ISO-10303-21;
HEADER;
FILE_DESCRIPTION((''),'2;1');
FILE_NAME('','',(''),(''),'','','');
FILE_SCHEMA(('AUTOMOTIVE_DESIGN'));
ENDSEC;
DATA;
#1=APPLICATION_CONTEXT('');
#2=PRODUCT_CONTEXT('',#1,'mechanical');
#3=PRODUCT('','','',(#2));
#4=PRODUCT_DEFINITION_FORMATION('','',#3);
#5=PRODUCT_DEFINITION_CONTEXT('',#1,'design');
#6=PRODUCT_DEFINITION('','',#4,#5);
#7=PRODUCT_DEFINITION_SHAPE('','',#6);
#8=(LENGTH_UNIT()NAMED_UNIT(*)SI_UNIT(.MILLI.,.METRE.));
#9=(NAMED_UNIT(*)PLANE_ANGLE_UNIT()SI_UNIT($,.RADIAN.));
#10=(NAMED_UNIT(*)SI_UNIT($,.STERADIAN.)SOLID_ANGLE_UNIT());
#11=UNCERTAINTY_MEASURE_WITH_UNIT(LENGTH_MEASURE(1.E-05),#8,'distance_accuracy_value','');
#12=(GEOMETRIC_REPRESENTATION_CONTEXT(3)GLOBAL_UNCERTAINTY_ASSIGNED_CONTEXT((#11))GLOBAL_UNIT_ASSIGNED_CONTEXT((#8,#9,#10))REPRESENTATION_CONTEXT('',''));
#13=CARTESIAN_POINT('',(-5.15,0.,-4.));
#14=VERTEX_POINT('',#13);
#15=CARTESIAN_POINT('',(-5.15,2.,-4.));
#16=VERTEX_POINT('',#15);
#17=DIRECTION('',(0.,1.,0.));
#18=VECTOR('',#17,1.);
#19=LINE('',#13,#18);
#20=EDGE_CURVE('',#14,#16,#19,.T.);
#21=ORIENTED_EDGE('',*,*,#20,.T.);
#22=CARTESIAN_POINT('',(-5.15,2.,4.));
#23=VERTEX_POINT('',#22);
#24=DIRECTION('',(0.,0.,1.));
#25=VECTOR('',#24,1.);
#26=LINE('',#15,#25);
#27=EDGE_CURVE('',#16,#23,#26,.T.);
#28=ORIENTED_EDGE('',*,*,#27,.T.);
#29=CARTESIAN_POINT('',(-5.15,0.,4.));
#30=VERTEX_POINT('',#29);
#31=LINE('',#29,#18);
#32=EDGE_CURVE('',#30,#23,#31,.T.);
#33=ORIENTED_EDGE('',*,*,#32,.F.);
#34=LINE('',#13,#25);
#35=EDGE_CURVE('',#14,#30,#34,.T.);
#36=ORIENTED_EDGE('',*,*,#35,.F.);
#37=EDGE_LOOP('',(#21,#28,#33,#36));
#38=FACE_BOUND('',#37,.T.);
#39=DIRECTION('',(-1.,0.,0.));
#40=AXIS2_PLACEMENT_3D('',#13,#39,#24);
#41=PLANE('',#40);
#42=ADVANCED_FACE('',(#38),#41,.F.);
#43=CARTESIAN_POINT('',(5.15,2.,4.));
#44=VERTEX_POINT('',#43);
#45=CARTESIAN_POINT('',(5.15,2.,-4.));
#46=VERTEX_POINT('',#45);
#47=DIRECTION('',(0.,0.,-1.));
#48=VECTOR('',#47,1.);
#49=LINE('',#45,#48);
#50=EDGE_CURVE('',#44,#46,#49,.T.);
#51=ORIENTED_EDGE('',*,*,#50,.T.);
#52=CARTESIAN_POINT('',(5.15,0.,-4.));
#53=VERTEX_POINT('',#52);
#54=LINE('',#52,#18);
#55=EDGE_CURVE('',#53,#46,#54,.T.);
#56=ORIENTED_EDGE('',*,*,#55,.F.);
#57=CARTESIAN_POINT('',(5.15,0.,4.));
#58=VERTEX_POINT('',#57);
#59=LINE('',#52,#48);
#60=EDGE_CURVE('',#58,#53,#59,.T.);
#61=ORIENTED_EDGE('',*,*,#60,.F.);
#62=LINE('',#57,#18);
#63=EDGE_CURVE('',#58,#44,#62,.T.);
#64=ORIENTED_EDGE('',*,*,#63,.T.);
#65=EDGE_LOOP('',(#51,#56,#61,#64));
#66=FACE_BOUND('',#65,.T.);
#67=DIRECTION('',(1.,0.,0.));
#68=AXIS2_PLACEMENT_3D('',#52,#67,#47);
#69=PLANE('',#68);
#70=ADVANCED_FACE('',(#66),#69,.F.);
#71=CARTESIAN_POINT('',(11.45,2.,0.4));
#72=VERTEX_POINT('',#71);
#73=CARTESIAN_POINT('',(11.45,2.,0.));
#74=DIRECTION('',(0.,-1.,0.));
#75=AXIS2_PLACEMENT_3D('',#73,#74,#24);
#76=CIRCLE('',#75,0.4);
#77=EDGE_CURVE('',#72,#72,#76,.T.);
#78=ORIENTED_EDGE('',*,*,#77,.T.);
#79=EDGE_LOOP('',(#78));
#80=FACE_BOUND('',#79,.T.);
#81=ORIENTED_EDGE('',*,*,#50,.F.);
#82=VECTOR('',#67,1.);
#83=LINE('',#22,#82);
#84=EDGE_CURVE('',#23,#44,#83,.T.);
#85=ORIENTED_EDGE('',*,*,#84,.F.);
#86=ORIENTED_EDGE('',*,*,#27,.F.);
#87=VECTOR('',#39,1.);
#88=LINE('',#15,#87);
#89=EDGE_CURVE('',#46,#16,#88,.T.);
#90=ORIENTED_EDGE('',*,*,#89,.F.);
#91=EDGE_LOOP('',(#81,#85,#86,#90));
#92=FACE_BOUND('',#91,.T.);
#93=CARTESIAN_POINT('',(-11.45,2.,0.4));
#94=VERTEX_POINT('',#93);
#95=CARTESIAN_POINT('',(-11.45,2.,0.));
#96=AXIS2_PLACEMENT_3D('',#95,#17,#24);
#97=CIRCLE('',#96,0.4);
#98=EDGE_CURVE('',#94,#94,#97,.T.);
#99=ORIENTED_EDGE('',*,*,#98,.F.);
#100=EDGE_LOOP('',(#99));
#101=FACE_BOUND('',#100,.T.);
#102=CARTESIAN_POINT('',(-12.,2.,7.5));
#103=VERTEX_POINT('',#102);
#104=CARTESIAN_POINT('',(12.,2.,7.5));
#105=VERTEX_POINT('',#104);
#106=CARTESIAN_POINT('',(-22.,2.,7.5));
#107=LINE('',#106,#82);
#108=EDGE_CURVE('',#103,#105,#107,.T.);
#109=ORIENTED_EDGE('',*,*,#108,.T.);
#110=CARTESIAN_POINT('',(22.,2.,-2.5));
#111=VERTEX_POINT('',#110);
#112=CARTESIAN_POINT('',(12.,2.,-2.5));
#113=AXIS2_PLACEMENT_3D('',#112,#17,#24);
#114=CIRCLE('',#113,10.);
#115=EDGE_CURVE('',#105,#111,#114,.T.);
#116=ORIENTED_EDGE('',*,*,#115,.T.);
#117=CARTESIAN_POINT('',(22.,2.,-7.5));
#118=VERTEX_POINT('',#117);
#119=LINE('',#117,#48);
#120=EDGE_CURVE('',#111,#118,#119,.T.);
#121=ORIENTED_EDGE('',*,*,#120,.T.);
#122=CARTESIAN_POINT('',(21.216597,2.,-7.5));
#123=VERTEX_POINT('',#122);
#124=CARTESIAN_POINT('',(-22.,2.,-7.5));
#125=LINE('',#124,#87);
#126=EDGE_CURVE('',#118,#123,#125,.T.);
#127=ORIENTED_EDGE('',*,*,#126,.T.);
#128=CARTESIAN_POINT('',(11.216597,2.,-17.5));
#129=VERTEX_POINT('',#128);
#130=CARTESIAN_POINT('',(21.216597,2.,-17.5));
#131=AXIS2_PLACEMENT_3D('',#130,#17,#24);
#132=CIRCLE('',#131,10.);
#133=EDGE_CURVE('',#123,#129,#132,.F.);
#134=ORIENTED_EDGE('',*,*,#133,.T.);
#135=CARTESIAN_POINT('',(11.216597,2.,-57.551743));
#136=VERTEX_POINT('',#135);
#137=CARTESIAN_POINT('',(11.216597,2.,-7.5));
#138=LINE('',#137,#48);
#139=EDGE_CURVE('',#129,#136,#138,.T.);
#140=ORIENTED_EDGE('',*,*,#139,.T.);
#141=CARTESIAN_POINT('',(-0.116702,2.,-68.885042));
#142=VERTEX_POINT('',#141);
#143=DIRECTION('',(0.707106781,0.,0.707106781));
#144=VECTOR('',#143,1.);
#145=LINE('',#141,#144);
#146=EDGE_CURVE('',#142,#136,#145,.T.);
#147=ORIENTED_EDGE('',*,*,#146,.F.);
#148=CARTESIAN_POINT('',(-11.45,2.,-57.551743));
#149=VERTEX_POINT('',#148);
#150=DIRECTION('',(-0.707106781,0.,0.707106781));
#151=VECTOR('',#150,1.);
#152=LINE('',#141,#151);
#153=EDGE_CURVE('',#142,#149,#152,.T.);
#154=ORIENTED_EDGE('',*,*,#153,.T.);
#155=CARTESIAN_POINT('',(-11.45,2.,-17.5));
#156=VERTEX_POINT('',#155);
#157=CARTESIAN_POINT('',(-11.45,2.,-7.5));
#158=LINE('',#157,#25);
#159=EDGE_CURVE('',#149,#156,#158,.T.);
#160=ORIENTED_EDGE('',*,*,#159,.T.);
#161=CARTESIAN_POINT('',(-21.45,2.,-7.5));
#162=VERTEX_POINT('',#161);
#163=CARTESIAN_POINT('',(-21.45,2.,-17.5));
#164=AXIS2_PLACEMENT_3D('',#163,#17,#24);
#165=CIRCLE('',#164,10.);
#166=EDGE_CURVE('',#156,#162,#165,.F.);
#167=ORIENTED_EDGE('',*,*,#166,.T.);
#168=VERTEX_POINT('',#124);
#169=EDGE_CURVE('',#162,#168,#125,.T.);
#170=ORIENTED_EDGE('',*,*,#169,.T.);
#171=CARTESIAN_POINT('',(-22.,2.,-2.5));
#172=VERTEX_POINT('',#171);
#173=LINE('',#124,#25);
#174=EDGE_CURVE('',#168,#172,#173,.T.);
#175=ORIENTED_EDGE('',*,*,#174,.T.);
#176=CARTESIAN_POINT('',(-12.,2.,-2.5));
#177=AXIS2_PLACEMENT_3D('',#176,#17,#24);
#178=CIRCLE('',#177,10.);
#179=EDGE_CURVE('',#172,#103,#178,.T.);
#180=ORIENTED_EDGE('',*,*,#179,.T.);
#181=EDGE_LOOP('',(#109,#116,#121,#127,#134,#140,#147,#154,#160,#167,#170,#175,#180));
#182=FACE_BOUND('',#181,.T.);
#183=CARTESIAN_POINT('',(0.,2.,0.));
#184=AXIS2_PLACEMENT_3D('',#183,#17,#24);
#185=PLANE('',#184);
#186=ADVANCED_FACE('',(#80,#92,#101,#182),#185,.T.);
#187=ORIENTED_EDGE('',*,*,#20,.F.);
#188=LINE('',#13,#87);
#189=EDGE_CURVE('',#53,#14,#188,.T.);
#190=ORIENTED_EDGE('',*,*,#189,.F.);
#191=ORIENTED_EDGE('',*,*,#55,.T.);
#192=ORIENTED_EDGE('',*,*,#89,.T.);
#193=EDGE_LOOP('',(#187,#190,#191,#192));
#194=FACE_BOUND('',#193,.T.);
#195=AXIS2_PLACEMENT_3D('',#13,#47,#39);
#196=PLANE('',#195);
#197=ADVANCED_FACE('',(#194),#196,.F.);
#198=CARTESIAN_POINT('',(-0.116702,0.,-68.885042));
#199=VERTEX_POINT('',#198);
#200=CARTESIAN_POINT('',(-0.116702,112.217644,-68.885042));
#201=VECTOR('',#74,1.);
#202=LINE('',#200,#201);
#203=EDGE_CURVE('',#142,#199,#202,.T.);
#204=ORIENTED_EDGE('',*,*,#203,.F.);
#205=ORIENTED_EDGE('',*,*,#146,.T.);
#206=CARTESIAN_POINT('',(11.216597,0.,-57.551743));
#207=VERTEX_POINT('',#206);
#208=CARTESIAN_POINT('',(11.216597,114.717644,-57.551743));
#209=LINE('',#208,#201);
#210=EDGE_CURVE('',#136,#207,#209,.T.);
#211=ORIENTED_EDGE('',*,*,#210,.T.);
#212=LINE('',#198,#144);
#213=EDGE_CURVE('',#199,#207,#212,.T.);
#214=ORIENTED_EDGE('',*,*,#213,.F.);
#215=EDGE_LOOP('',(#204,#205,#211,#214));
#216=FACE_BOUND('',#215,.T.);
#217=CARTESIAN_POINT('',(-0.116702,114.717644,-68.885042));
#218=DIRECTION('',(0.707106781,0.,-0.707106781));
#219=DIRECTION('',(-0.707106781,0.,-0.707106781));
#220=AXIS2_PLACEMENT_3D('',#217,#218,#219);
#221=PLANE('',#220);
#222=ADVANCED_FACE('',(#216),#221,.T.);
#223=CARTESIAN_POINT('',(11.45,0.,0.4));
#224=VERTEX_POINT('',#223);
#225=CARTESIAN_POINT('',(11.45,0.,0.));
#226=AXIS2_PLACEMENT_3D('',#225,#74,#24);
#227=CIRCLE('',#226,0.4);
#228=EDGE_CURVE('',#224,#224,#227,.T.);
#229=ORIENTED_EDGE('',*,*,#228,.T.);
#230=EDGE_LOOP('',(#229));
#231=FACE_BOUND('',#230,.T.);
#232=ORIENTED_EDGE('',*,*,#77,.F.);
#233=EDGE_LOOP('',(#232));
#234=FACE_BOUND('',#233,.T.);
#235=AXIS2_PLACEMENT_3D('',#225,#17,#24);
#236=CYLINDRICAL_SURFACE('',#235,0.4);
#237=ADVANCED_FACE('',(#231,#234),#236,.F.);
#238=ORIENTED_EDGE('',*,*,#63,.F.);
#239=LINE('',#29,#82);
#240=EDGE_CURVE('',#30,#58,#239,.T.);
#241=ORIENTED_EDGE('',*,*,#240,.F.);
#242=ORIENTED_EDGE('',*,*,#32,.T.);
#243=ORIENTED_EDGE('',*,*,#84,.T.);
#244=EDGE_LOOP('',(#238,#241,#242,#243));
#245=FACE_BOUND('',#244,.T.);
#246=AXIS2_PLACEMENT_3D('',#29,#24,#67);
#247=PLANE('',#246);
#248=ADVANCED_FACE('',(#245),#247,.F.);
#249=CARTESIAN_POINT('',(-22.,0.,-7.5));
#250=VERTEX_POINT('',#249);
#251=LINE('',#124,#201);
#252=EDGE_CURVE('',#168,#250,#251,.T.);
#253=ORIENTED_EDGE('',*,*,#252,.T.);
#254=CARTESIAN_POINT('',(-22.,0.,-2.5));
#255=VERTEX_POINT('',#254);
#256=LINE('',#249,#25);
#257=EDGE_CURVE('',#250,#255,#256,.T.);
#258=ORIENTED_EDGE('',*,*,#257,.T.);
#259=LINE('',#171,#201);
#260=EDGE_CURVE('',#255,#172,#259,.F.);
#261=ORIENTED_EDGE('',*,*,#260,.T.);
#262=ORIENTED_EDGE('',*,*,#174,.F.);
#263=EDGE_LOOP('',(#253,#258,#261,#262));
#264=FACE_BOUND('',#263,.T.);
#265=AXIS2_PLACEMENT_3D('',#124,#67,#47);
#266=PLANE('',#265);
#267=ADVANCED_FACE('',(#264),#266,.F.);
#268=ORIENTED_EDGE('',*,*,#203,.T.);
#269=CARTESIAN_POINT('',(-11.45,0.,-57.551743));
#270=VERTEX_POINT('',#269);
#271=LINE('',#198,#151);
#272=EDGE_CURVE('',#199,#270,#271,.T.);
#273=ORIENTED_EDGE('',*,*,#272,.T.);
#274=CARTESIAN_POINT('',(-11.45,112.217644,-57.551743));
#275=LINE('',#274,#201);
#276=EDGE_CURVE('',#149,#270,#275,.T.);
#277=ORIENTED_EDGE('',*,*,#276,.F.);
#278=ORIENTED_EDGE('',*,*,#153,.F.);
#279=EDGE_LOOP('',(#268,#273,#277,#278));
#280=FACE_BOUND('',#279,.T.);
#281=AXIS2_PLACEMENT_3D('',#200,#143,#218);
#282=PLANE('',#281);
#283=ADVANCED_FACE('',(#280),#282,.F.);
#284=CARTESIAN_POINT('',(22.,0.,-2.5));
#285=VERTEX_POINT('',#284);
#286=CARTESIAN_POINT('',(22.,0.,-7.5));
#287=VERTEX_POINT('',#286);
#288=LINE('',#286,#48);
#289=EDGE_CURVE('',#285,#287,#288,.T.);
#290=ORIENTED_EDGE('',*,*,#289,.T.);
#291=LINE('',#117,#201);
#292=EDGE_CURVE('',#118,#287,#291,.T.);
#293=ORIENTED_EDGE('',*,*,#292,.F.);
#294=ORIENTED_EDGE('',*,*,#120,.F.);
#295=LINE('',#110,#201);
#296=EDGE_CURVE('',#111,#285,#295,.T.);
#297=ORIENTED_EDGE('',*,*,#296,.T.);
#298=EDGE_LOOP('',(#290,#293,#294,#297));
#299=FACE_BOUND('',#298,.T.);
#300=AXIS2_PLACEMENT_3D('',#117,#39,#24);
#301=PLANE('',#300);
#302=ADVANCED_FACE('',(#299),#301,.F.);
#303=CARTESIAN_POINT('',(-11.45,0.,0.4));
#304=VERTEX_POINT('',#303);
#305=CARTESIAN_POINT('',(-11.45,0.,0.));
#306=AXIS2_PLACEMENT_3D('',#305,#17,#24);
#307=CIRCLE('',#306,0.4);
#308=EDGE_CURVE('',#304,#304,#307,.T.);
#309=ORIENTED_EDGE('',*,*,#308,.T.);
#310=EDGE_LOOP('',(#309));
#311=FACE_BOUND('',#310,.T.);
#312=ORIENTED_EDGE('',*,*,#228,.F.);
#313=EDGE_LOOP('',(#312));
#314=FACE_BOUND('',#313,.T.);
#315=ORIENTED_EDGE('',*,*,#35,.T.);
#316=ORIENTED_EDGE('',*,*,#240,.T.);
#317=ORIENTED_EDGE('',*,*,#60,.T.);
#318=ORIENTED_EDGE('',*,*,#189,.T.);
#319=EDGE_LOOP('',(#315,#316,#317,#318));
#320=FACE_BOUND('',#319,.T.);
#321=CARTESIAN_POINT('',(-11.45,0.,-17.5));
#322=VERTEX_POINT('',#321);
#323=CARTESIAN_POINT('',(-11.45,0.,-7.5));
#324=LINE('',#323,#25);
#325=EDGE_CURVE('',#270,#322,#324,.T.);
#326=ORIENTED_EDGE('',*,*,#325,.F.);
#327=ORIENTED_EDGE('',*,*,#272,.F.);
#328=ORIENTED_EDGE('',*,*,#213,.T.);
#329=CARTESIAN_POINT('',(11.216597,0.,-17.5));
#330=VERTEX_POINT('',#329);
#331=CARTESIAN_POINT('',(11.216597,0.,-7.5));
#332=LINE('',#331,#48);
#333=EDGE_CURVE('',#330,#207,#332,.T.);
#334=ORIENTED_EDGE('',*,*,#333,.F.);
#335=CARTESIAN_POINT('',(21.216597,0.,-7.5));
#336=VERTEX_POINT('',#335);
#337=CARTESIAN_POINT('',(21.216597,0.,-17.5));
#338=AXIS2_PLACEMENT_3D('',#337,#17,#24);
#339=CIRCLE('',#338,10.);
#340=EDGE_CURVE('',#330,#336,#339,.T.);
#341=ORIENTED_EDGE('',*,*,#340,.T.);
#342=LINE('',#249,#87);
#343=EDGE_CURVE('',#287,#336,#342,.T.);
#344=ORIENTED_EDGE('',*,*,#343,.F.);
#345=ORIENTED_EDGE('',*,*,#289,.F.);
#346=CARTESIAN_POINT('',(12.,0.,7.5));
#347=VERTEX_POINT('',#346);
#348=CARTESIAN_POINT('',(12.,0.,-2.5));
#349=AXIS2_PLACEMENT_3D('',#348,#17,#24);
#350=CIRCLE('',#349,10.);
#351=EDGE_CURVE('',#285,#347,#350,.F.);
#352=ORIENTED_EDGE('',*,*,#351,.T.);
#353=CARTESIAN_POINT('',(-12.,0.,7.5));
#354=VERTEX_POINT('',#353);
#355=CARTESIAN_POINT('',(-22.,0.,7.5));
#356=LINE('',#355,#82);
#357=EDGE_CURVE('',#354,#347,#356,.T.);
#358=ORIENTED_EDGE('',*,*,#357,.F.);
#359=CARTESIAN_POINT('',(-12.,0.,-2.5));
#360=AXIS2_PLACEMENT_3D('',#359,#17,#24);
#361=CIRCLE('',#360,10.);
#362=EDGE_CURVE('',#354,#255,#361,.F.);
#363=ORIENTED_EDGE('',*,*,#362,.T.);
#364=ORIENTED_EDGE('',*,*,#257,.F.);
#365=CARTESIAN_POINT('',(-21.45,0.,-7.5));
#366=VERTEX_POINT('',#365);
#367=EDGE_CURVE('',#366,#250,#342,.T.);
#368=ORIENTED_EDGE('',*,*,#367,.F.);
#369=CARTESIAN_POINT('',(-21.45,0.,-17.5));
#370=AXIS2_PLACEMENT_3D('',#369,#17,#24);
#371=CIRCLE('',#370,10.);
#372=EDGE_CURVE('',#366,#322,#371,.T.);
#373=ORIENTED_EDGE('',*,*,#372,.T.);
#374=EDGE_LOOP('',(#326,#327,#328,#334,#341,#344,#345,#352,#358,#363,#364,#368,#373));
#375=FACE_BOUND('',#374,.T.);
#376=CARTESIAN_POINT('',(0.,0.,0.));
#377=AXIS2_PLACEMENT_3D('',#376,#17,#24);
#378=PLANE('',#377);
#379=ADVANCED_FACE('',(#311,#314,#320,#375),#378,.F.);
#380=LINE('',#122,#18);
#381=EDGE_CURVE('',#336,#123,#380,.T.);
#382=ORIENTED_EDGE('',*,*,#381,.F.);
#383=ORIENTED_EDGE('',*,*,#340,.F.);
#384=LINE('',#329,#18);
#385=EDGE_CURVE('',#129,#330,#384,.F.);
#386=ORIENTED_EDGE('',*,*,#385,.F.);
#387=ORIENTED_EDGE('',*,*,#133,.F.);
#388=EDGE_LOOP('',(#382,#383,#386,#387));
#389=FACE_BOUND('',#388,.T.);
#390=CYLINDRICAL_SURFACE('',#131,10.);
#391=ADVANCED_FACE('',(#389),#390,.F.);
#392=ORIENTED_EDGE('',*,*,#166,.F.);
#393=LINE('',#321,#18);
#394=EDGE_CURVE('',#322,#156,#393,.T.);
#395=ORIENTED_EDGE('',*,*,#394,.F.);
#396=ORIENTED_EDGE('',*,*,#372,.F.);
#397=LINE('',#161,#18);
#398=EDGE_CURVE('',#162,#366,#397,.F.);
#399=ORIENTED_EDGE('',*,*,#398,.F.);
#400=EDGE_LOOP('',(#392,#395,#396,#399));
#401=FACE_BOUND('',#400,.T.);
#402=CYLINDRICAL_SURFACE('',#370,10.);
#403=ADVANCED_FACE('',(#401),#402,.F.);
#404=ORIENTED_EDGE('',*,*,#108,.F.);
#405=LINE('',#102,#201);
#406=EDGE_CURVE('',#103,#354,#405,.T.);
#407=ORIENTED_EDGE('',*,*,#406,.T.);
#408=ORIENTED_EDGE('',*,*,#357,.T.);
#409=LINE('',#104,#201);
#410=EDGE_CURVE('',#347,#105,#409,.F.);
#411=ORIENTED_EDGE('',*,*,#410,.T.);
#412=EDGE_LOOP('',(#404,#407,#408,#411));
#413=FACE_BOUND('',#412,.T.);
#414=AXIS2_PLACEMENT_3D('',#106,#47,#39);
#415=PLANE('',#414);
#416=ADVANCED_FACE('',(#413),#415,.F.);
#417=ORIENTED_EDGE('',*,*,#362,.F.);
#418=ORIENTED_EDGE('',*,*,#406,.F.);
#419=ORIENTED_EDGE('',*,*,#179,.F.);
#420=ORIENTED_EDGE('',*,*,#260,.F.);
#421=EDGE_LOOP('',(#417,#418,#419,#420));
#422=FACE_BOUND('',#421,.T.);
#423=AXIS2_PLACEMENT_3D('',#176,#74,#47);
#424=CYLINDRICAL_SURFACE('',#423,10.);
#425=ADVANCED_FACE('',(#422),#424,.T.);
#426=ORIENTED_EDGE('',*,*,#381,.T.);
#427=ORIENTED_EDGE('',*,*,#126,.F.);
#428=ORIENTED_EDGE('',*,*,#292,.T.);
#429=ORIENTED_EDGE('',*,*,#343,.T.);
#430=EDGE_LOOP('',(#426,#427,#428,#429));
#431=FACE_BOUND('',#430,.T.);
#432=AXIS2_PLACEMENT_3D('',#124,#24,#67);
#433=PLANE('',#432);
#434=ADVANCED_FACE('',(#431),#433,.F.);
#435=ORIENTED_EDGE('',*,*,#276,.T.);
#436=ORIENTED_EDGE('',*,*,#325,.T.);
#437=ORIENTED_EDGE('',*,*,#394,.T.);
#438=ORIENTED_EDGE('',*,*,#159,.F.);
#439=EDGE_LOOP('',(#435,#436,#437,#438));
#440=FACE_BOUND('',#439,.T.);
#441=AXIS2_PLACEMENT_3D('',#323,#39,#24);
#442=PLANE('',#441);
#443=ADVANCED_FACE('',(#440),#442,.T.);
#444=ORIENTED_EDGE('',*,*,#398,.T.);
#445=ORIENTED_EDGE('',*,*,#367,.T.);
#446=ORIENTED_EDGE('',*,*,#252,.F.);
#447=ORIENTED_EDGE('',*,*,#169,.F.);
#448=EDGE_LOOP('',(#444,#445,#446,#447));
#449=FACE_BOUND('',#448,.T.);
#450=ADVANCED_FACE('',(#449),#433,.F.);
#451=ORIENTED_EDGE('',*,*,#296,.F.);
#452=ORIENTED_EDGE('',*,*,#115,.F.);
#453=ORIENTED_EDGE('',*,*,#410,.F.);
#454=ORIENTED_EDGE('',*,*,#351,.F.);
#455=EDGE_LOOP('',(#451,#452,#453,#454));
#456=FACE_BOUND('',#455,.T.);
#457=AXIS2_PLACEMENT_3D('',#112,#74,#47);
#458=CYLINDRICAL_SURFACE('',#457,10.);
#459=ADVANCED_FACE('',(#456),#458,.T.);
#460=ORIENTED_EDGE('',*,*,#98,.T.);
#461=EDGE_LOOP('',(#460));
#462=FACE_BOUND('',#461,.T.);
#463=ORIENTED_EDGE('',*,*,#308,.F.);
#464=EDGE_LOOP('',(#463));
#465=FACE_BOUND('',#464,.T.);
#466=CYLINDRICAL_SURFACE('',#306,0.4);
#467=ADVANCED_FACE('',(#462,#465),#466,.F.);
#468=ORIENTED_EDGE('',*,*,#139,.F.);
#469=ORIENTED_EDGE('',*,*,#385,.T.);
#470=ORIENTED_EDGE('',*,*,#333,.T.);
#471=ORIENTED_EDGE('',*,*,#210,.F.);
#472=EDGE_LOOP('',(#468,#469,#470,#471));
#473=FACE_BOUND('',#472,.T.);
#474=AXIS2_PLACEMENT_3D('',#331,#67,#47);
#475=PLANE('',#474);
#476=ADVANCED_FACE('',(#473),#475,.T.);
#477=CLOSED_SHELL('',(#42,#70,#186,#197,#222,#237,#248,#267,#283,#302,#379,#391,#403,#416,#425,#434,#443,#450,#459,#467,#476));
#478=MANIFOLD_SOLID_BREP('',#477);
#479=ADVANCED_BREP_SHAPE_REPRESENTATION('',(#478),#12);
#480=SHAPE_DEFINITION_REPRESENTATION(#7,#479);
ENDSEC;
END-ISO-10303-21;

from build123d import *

# Parameters (mm, degrees)
SKETCH2_W               = 44
SKETCH2_H               = 15
BOSS_EXTRUDE1_DEPTH     = 2
SKETCH3_W               = 10.3
SKETCH3_H               = 8
CUT_EXTRUDE1_DEPTH      = 2
SKETCH5_R               = 0.4
CUT_EXTRUDE2_DEPTH      = 2
SKETCH6_W               = 22.666596939
SKETCH6_H               = 61.385041888
BOSS_EXTRUDE3_DEPTH     = 2
FILLET1_R               = 10
CUT_EXTRUDE3_DEPTH      = 73.340507297
CUT_EXTRUDE3_DEPTH_BACK = 2
CUT_EXTRUDE4_DEPTH      = 73.340507297
CUT_EXTRUDE4_DEPTH_BACK = 2
FILLET2_R               = 10


with BuildPart() as part:
    # Sketch2 → Boss-Extrude1 (new body)
    with BuildSketch(Plane(origin=(0, 0, 0), x_dir=(1, 0, 0), z_dir=(0, 1, 0))):
        Rectangle(SKETCH2_W, SKETCH2_H)
    extrude(amount=BOSS_EXTRUDE1_DEPTH)

    # Sketch3 → Cut-Extrude1 (cut)
    with BuildSketch(Plane(origin=(0, 2, 0), x_dir=(1, 0, 0), z_dir=(0, 1, 0))):
        Rectangle(SKETCH3_W, SKETCH3_H)
    extrude(amount=-CUT_EXTRUDE1_DEPTH, mode=Mode.SUBTRACT)

    # Sketch5 → Cut-Extrude2 (cut)
    with BuildSketch(Plane(origin=(0, 2, 0), x_dir=(1, 0, 0), z_dir=(0, 1, 0))):
        with Locations(Location((-11.45, 0, 0), (0, 0, 270))):
            Circle(SKETCH5_R)
    cut_extrude2 = extrude(amount=-CUT_EXTRUDE2_DEPTH, mode=Mode.SUBTRACT)

    # Mirror1: Cut-Extrude2 across plane
    add(cut_extrude2.mirror(Plane(origin=(0, 0, 0), x_dir=(0, 0, 1), z_dir=(1, 0, 0))), mode=Mode.SUBTRACT)

    # Sketch6 → Boss-Extrude3 (add)
    with BuildSketch(Plane(origin=(0, 2, 0), x_dir=(1, 0, 0), z_dir=(0, 1, 0))):
        with Locations((-0.116701531, 38.192520944)):
            Rectangle(SKETCH6_W, SKETCH6_H)
    extrude(amount=-BOSS_EXTRUDE3_DEPTH)

    # Fillet1
    fillet1_edges = [part.edges().sort_by_distance(p)[0] for p in [
        (-11.45, 1, -7.5),
        (11.216596939, 1, -7.5),
    ]]
    fillet(fillet1_edges, radius=FILLET1_R)

    # Sketch8 → Cut-Extrude3 (cut, two sides: drawn at the far end of the back side and taken through both)
    with BuildSketch(Plane(origin=(0, 2, 0), x_dir=(1, 0, 0), z_dir=(0, 1, 0)).offset(-CUT_EXTRUDE3_DEPTH_BACK)):
        Polygon((119.416120766, 188.417864185), (-0.11670153, 68.885041888), (-11.45, 57.551743419), (-130.982822296, -61.981078878), (-370.048466889, 177.084565715), (-119.649523827, 427.483508777), align=None)
    extrude(amount=CUT_EXTRUDE3_DEPTH + CUT_EXTRUDE3_DEPTH_BACK, mode=Mode.SUBTRACT)

    # Sketch9 → Cut-Extrude4 (cut, two sides: drawn at the far end of the back side and taken through both)
    with BuildSketch(Plane(origin=(0, 2, 0), x_dir=(1, 0, 0), z_dir=(0, 1, 0)).offset(-CUT_EXTRUDE4_DEPTH_BACK)):
        Polygon((-119.649523827, 188.417864185), (-0.11670153, 68.885041888), (11.216596939, 57.551743419), (130.749419236, -61.981078878), (369.815063828, 177.084565715), (119.416120766, 427.483508777), align=None)
    extrude(amount=CUT_EXTRUDE4_DEPTH + CUT_EXTRUDE4_DEPTH_BACK, mode=Mode.SUBTRACT)

    # Fillet2
    fillet2_edges = [part.edges().sort_by_distance(p)[0] for p in [
        (22, 1, 7.5),
        (-22, 1, 7.5),
    ]]
    fillet(fillet2_edges, radius=FILLET2_R)


solid = part.part
